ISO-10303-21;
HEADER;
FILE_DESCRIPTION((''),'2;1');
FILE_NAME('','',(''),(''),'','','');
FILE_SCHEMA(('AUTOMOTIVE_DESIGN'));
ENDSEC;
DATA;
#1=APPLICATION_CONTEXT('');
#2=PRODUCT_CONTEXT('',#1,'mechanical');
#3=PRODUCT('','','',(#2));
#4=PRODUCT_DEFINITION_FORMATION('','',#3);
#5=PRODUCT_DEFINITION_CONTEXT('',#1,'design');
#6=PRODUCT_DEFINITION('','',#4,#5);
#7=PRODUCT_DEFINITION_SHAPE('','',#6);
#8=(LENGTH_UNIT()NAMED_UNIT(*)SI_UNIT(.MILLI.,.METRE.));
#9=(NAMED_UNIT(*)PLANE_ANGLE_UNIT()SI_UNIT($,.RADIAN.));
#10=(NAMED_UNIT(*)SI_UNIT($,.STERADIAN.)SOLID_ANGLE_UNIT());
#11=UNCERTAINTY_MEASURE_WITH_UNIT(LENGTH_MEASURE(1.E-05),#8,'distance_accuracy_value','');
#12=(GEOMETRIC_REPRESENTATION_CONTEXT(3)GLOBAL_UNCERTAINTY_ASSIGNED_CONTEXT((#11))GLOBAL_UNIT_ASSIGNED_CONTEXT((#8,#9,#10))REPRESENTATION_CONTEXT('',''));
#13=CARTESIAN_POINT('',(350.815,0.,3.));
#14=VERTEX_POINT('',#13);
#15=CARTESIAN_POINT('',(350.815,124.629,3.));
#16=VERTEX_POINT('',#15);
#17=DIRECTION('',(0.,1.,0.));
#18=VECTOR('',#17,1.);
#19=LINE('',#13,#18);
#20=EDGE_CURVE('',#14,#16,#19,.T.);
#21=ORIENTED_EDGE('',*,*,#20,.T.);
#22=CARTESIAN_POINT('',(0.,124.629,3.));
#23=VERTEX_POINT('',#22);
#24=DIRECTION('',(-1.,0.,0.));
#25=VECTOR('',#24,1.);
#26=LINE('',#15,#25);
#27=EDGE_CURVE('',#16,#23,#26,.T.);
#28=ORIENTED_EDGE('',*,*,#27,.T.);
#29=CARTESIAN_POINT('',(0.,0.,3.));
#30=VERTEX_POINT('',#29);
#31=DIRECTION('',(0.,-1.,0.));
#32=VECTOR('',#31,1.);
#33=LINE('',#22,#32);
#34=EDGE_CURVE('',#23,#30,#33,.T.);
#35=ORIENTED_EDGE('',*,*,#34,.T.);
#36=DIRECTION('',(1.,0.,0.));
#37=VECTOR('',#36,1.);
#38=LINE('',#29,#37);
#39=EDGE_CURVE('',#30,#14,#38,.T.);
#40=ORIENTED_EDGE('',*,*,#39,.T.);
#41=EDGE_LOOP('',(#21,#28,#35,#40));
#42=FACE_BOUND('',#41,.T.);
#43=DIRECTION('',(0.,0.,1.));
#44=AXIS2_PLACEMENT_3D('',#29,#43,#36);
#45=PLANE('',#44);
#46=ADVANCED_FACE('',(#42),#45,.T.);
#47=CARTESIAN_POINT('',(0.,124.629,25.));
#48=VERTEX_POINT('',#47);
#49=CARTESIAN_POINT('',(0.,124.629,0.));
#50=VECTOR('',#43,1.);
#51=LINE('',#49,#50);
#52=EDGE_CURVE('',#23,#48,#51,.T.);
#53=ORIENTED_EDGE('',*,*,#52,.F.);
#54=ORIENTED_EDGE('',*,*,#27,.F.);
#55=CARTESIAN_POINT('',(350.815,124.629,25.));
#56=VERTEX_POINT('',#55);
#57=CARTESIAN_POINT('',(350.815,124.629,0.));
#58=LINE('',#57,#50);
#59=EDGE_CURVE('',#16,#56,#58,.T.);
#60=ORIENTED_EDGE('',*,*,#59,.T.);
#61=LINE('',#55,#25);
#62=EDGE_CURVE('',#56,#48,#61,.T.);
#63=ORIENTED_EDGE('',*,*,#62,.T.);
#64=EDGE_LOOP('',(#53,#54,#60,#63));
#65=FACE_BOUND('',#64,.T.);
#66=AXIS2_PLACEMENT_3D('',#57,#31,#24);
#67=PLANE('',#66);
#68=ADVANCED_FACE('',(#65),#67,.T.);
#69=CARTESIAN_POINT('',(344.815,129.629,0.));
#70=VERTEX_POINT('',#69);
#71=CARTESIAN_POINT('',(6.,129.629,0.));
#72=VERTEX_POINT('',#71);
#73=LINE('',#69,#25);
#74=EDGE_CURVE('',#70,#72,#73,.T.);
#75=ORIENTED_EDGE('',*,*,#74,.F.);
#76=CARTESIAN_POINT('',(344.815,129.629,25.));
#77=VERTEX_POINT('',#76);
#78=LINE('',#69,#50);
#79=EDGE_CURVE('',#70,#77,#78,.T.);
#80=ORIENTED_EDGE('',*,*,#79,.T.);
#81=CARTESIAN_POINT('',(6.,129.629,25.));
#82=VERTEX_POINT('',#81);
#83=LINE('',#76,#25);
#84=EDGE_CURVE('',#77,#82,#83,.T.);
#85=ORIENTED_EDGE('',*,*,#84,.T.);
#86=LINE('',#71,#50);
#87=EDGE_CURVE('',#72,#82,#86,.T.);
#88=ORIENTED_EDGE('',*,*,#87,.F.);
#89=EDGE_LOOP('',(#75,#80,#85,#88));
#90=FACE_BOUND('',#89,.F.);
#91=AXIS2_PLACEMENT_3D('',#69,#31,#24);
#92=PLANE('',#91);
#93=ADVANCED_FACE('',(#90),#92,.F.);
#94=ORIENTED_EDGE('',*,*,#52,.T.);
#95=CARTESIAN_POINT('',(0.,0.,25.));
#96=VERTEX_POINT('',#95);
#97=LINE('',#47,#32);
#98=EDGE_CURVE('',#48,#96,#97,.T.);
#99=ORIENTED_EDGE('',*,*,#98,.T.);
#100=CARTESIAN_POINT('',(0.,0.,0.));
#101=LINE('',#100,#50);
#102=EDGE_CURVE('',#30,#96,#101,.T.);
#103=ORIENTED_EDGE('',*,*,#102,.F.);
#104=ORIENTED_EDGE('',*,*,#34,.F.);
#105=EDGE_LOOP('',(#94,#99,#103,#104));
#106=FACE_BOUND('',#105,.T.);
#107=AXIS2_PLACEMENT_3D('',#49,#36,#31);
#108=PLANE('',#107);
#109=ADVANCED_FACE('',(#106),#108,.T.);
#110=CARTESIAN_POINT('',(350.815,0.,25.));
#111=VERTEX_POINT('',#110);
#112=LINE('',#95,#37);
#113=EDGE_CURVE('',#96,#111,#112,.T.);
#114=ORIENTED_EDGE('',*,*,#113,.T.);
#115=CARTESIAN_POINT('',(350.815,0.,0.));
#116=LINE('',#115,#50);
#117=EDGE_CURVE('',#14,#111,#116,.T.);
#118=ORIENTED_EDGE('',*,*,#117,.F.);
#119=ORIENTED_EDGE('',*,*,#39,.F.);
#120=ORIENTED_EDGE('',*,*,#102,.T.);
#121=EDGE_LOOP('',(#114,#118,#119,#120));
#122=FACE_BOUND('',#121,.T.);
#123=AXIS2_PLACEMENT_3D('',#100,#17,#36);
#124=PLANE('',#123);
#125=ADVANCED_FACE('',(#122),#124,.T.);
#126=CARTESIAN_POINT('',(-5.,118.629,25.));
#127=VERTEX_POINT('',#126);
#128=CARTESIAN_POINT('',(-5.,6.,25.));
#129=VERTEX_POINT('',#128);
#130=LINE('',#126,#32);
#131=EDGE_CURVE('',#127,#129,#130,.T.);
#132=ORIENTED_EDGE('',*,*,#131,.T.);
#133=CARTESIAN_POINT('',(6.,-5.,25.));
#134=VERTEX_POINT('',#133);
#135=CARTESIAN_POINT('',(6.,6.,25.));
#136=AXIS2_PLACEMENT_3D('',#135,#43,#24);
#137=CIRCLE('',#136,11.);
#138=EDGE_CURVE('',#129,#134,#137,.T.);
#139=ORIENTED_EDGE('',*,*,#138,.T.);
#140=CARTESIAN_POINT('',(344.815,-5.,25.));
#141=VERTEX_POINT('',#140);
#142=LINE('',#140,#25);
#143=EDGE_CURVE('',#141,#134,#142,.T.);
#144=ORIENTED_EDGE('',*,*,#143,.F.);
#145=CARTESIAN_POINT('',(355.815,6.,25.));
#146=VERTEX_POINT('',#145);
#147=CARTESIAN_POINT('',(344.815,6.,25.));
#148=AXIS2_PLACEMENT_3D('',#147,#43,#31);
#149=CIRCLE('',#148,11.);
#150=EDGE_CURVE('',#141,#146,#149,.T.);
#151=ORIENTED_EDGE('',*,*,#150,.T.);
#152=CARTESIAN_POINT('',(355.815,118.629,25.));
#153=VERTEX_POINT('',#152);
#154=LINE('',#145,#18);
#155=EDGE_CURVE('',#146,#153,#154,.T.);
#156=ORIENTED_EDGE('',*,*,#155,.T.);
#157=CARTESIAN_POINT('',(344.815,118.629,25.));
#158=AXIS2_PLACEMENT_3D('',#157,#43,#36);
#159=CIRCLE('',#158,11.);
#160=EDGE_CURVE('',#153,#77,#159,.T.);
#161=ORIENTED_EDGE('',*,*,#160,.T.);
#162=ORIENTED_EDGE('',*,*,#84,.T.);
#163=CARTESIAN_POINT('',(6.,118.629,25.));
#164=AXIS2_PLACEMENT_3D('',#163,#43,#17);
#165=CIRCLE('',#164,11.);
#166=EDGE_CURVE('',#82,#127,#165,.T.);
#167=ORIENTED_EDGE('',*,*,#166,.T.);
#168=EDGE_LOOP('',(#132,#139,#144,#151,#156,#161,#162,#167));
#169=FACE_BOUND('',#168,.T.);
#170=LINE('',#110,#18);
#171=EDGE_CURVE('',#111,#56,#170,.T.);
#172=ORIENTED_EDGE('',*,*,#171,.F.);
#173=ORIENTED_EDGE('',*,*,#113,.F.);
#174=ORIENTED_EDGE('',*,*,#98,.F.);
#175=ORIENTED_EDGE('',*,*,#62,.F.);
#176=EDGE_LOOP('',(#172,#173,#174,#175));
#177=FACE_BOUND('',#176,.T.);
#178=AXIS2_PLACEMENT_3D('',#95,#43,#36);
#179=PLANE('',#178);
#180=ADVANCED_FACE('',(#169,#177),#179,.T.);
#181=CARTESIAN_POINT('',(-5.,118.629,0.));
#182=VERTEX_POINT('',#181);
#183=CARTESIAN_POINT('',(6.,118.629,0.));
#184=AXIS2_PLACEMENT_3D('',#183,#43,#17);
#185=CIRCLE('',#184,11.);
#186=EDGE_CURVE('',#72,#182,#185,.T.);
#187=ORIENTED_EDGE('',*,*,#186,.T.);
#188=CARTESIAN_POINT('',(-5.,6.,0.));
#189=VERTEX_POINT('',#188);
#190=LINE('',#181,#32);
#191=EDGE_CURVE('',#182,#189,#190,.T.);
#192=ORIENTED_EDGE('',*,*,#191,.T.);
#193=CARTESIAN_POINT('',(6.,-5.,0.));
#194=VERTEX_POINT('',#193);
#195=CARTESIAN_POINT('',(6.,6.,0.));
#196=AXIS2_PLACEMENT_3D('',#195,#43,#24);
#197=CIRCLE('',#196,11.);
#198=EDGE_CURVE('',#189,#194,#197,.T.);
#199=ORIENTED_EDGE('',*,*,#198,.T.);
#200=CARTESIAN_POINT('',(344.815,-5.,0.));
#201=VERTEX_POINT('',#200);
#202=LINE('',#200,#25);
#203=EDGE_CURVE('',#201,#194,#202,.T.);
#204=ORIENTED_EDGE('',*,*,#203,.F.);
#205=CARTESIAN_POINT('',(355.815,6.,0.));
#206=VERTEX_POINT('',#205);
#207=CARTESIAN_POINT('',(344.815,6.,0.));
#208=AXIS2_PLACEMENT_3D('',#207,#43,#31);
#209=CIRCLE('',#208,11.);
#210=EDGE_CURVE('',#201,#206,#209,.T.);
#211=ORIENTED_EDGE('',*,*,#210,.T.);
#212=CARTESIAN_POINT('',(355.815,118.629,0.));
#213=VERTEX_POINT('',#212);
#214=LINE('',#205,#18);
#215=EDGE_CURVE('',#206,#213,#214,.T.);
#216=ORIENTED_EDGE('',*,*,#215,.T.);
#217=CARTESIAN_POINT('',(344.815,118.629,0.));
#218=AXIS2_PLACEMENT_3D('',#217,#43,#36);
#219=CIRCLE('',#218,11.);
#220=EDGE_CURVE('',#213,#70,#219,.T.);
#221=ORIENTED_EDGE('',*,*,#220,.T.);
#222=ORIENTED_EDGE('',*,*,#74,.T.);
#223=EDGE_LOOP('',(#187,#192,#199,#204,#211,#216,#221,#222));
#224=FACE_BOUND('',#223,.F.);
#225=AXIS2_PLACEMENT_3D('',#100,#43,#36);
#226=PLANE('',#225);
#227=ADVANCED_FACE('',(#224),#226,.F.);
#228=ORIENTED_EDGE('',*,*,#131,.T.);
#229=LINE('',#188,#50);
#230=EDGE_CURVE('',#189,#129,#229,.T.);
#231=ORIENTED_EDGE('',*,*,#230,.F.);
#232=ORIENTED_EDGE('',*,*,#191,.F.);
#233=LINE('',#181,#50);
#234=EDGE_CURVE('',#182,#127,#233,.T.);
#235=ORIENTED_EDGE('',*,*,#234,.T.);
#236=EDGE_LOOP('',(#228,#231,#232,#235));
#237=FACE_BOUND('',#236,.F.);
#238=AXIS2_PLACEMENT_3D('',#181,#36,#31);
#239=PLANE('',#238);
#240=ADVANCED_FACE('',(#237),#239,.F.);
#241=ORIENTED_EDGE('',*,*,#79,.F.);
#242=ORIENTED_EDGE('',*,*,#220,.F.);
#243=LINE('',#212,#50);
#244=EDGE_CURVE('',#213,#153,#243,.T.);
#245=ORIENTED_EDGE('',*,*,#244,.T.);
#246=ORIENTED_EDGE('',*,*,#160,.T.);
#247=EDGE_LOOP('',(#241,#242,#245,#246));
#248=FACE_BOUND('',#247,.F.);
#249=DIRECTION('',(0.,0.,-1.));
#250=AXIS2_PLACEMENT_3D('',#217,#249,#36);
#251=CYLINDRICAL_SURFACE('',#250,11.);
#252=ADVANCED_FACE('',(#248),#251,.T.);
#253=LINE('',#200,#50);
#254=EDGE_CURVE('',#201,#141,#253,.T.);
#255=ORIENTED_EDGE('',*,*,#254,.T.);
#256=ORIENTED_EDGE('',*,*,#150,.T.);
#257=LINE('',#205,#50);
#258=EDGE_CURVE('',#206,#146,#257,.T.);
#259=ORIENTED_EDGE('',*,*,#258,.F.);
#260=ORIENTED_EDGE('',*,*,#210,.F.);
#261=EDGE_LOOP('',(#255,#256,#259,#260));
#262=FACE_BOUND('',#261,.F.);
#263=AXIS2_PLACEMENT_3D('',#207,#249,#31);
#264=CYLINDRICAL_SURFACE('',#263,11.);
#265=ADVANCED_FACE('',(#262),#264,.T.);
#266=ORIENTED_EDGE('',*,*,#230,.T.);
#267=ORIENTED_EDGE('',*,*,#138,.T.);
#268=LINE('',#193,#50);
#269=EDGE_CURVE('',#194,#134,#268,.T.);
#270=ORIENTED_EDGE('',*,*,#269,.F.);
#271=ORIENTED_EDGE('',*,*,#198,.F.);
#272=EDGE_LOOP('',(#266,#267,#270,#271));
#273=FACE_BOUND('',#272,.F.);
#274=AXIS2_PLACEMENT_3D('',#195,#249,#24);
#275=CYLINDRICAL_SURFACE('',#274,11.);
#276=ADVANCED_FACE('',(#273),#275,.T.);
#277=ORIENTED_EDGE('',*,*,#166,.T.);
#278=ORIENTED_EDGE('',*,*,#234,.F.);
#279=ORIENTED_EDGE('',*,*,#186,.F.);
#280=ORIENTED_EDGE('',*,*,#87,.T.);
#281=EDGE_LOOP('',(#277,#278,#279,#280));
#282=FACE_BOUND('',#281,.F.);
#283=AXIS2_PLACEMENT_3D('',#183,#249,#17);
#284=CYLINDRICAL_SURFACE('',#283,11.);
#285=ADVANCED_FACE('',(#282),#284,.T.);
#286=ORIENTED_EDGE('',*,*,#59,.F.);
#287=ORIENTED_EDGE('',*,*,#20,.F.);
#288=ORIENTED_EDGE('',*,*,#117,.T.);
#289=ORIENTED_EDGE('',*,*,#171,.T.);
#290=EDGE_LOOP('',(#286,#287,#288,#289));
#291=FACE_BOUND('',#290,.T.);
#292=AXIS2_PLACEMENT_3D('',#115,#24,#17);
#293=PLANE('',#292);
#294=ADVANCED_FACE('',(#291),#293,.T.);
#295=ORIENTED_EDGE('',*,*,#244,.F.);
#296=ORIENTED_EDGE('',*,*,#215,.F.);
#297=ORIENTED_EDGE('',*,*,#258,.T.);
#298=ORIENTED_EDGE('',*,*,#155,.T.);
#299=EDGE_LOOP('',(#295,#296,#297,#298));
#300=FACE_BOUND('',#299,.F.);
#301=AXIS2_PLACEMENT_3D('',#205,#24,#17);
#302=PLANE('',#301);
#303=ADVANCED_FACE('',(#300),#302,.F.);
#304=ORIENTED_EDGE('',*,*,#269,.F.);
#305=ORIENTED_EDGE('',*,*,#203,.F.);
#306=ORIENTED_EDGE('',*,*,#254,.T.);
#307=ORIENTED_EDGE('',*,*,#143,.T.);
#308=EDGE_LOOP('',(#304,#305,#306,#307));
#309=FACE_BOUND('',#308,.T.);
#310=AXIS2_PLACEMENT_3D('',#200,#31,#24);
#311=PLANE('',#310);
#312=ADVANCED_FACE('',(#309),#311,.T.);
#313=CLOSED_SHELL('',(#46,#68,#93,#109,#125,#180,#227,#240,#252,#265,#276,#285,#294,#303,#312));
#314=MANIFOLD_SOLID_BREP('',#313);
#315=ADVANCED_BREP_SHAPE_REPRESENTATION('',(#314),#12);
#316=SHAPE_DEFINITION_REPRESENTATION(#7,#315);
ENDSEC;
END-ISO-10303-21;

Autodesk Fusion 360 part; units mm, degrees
sketch "Sketch1" plane through (0, 0, 0) normal (0, 0, 1) x (1, 0, 0)
  line L0 (0, 0) -> (350.815, 0)
  line L1 (350.815, 0) -> (350.815, 124.629)
  line L2 (0, 124.629) -> (0, 0)
  line L3 (350.815, 0) -> (350.815, 124.629)
  line L4 (344.815, 129.629) -> (0, 129.629)
  line L5 (0, 0) -> (0, 124.629)
  line L6 (0, 0) -> (350.815, 0)
  line L7 (0, 129.629) -> (344.815, 129.629)
  line L8 (350.815, 124.629) -> (0, 124.629)
  line L9 (350.815, 124.629) -> (350.815, 0)
  line L10 (355.815, 6) -> (355.815, 118.629)
  line L11 (344.815, -5) -> (6, -5)
  line L12 (-5, -5) -> (-5, 0)
  line L13 (0, 0) -> (350.815, 0)
  line L14 (0, 0) -> (0, 124.629)
  line L15 (0, 129.629) -> (6, 129.629)
  line L16 (-5, 118.629) -> (-5, 6)
  arc A0 (-5, 6) -> (6, -5) centre (6, 6) ccw
  arc A1 (6, 129.629) -> (-5, 118.629) centre (6, 118.629) ccw
  arc A2 (344.815, -5) -> (355.815, 6) centre (344.815, 6) ccw
  arc A3 (355.815, 118.629) -> (344.815, 129.629) centre (344.815, 118.629) ccw
  line L17 (6, 129.629) -> (0, 129.629)
  point P0 (355.815, 129.629)
  point P1 (355.815, -5)
  dimension "d12" = 355.815
  dimension "d13" = 5
  dimension "d16" = 11
  dimension "d17" = 11
  dimension "d18" = 11
  dimension "d19" = 11
  dimension "d24" = 360.815
  dimension "d25" = 134.629
extrude "Extrude1" add sketch "Sketch1" along normal blind 3 contours L0 L1 L2 L3 L5 L6 L8 L9 L13 L14
extrude "Extrude2" add sketch "Sketch1" along normal blind 25
equation "d12 = 350.815 mm + 5 mm"
